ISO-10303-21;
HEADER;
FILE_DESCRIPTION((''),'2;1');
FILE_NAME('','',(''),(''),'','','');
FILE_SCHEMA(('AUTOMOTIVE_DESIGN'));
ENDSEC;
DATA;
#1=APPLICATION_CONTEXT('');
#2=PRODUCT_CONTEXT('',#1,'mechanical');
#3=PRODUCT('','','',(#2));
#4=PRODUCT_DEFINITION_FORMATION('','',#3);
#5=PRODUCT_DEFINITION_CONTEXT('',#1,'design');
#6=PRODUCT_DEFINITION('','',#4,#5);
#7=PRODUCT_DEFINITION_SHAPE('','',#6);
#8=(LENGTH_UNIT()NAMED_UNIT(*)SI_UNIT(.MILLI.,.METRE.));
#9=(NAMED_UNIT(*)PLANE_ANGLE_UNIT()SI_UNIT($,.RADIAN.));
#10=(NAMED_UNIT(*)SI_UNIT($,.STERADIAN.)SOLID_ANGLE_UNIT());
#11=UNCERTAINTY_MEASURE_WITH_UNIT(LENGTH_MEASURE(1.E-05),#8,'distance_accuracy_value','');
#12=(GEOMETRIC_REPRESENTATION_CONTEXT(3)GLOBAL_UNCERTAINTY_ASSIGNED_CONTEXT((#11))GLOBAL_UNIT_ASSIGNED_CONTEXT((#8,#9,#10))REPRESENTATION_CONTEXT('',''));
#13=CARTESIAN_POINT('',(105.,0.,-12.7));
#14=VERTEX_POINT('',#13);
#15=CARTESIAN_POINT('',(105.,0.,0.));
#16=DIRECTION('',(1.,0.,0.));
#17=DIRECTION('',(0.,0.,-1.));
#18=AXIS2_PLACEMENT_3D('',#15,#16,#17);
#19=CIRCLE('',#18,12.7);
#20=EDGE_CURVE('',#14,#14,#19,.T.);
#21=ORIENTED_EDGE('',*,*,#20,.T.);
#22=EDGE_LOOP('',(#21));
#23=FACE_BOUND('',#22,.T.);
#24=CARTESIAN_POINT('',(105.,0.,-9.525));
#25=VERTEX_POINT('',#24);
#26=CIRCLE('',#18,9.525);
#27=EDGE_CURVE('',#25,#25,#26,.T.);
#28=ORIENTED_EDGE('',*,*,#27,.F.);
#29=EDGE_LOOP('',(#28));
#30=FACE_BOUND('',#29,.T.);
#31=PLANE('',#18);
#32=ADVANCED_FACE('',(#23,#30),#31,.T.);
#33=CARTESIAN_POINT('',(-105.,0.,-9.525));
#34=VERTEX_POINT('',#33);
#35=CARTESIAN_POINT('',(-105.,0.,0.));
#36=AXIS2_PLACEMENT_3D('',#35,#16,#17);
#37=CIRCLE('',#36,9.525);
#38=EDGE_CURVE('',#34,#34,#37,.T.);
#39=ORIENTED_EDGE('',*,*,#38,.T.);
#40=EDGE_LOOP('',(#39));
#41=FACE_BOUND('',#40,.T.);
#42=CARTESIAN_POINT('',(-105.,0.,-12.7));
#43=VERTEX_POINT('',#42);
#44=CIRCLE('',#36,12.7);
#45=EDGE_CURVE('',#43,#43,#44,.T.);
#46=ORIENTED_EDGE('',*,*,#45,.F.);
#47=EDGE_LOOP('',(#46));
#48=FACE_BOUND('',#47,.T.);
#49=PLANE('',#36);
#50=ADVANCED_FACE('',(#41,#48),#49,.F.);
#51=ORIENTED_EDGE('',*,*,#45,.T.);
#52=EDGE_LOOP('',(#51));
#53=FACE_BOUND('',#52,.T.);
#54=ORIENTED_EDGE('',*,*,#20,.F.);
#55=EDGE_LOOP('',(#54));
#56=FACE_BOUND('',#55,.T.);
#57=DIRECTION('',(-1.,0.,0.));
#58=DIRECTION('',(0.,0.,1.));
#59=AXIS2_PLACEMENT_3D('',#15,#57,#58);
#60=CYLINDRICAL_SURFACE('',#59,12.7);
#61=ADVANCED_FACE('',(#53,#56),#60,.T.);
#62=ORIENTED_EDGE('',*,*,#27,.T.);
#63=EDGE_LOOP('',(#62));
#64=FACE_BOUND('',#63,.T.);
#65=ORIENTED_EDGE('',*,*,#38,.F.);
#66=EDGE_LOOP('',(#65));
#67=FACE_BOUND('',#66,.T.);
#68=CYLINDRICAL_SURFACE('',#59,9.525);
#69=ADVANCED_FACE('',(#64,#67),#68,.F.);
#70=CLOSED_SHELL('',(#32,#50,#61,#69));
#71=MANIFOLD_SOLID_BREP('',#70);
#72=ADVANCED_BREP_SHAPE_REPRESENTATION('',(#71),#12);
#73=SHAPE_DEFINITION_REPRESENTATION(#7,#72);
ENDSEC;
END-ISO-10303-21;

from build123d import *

# Parameters (mm, degrees)
SKETCH1_R           = 12.7
SKETCH1_R_2         = 9.525
BOSS_EXTRUDE1_DEPTH = 105


with BuildPart() as part:
    # Sketch1 → Boss-Extrude1 (new body, symmetric)
    with BuildSketch(Plane(origin=(0, 0, 0), x_dir=(0, 0, -1), z_dir=(1, 0, 0))):
        Circle(SKETCH1_R)
        Circle(SKETCH1_R_2, mode=Mode.SUBTRACT)
    extrude(amount=BOSS_EXTRUDE1_DEPTH, both=True)


solid = part.part
